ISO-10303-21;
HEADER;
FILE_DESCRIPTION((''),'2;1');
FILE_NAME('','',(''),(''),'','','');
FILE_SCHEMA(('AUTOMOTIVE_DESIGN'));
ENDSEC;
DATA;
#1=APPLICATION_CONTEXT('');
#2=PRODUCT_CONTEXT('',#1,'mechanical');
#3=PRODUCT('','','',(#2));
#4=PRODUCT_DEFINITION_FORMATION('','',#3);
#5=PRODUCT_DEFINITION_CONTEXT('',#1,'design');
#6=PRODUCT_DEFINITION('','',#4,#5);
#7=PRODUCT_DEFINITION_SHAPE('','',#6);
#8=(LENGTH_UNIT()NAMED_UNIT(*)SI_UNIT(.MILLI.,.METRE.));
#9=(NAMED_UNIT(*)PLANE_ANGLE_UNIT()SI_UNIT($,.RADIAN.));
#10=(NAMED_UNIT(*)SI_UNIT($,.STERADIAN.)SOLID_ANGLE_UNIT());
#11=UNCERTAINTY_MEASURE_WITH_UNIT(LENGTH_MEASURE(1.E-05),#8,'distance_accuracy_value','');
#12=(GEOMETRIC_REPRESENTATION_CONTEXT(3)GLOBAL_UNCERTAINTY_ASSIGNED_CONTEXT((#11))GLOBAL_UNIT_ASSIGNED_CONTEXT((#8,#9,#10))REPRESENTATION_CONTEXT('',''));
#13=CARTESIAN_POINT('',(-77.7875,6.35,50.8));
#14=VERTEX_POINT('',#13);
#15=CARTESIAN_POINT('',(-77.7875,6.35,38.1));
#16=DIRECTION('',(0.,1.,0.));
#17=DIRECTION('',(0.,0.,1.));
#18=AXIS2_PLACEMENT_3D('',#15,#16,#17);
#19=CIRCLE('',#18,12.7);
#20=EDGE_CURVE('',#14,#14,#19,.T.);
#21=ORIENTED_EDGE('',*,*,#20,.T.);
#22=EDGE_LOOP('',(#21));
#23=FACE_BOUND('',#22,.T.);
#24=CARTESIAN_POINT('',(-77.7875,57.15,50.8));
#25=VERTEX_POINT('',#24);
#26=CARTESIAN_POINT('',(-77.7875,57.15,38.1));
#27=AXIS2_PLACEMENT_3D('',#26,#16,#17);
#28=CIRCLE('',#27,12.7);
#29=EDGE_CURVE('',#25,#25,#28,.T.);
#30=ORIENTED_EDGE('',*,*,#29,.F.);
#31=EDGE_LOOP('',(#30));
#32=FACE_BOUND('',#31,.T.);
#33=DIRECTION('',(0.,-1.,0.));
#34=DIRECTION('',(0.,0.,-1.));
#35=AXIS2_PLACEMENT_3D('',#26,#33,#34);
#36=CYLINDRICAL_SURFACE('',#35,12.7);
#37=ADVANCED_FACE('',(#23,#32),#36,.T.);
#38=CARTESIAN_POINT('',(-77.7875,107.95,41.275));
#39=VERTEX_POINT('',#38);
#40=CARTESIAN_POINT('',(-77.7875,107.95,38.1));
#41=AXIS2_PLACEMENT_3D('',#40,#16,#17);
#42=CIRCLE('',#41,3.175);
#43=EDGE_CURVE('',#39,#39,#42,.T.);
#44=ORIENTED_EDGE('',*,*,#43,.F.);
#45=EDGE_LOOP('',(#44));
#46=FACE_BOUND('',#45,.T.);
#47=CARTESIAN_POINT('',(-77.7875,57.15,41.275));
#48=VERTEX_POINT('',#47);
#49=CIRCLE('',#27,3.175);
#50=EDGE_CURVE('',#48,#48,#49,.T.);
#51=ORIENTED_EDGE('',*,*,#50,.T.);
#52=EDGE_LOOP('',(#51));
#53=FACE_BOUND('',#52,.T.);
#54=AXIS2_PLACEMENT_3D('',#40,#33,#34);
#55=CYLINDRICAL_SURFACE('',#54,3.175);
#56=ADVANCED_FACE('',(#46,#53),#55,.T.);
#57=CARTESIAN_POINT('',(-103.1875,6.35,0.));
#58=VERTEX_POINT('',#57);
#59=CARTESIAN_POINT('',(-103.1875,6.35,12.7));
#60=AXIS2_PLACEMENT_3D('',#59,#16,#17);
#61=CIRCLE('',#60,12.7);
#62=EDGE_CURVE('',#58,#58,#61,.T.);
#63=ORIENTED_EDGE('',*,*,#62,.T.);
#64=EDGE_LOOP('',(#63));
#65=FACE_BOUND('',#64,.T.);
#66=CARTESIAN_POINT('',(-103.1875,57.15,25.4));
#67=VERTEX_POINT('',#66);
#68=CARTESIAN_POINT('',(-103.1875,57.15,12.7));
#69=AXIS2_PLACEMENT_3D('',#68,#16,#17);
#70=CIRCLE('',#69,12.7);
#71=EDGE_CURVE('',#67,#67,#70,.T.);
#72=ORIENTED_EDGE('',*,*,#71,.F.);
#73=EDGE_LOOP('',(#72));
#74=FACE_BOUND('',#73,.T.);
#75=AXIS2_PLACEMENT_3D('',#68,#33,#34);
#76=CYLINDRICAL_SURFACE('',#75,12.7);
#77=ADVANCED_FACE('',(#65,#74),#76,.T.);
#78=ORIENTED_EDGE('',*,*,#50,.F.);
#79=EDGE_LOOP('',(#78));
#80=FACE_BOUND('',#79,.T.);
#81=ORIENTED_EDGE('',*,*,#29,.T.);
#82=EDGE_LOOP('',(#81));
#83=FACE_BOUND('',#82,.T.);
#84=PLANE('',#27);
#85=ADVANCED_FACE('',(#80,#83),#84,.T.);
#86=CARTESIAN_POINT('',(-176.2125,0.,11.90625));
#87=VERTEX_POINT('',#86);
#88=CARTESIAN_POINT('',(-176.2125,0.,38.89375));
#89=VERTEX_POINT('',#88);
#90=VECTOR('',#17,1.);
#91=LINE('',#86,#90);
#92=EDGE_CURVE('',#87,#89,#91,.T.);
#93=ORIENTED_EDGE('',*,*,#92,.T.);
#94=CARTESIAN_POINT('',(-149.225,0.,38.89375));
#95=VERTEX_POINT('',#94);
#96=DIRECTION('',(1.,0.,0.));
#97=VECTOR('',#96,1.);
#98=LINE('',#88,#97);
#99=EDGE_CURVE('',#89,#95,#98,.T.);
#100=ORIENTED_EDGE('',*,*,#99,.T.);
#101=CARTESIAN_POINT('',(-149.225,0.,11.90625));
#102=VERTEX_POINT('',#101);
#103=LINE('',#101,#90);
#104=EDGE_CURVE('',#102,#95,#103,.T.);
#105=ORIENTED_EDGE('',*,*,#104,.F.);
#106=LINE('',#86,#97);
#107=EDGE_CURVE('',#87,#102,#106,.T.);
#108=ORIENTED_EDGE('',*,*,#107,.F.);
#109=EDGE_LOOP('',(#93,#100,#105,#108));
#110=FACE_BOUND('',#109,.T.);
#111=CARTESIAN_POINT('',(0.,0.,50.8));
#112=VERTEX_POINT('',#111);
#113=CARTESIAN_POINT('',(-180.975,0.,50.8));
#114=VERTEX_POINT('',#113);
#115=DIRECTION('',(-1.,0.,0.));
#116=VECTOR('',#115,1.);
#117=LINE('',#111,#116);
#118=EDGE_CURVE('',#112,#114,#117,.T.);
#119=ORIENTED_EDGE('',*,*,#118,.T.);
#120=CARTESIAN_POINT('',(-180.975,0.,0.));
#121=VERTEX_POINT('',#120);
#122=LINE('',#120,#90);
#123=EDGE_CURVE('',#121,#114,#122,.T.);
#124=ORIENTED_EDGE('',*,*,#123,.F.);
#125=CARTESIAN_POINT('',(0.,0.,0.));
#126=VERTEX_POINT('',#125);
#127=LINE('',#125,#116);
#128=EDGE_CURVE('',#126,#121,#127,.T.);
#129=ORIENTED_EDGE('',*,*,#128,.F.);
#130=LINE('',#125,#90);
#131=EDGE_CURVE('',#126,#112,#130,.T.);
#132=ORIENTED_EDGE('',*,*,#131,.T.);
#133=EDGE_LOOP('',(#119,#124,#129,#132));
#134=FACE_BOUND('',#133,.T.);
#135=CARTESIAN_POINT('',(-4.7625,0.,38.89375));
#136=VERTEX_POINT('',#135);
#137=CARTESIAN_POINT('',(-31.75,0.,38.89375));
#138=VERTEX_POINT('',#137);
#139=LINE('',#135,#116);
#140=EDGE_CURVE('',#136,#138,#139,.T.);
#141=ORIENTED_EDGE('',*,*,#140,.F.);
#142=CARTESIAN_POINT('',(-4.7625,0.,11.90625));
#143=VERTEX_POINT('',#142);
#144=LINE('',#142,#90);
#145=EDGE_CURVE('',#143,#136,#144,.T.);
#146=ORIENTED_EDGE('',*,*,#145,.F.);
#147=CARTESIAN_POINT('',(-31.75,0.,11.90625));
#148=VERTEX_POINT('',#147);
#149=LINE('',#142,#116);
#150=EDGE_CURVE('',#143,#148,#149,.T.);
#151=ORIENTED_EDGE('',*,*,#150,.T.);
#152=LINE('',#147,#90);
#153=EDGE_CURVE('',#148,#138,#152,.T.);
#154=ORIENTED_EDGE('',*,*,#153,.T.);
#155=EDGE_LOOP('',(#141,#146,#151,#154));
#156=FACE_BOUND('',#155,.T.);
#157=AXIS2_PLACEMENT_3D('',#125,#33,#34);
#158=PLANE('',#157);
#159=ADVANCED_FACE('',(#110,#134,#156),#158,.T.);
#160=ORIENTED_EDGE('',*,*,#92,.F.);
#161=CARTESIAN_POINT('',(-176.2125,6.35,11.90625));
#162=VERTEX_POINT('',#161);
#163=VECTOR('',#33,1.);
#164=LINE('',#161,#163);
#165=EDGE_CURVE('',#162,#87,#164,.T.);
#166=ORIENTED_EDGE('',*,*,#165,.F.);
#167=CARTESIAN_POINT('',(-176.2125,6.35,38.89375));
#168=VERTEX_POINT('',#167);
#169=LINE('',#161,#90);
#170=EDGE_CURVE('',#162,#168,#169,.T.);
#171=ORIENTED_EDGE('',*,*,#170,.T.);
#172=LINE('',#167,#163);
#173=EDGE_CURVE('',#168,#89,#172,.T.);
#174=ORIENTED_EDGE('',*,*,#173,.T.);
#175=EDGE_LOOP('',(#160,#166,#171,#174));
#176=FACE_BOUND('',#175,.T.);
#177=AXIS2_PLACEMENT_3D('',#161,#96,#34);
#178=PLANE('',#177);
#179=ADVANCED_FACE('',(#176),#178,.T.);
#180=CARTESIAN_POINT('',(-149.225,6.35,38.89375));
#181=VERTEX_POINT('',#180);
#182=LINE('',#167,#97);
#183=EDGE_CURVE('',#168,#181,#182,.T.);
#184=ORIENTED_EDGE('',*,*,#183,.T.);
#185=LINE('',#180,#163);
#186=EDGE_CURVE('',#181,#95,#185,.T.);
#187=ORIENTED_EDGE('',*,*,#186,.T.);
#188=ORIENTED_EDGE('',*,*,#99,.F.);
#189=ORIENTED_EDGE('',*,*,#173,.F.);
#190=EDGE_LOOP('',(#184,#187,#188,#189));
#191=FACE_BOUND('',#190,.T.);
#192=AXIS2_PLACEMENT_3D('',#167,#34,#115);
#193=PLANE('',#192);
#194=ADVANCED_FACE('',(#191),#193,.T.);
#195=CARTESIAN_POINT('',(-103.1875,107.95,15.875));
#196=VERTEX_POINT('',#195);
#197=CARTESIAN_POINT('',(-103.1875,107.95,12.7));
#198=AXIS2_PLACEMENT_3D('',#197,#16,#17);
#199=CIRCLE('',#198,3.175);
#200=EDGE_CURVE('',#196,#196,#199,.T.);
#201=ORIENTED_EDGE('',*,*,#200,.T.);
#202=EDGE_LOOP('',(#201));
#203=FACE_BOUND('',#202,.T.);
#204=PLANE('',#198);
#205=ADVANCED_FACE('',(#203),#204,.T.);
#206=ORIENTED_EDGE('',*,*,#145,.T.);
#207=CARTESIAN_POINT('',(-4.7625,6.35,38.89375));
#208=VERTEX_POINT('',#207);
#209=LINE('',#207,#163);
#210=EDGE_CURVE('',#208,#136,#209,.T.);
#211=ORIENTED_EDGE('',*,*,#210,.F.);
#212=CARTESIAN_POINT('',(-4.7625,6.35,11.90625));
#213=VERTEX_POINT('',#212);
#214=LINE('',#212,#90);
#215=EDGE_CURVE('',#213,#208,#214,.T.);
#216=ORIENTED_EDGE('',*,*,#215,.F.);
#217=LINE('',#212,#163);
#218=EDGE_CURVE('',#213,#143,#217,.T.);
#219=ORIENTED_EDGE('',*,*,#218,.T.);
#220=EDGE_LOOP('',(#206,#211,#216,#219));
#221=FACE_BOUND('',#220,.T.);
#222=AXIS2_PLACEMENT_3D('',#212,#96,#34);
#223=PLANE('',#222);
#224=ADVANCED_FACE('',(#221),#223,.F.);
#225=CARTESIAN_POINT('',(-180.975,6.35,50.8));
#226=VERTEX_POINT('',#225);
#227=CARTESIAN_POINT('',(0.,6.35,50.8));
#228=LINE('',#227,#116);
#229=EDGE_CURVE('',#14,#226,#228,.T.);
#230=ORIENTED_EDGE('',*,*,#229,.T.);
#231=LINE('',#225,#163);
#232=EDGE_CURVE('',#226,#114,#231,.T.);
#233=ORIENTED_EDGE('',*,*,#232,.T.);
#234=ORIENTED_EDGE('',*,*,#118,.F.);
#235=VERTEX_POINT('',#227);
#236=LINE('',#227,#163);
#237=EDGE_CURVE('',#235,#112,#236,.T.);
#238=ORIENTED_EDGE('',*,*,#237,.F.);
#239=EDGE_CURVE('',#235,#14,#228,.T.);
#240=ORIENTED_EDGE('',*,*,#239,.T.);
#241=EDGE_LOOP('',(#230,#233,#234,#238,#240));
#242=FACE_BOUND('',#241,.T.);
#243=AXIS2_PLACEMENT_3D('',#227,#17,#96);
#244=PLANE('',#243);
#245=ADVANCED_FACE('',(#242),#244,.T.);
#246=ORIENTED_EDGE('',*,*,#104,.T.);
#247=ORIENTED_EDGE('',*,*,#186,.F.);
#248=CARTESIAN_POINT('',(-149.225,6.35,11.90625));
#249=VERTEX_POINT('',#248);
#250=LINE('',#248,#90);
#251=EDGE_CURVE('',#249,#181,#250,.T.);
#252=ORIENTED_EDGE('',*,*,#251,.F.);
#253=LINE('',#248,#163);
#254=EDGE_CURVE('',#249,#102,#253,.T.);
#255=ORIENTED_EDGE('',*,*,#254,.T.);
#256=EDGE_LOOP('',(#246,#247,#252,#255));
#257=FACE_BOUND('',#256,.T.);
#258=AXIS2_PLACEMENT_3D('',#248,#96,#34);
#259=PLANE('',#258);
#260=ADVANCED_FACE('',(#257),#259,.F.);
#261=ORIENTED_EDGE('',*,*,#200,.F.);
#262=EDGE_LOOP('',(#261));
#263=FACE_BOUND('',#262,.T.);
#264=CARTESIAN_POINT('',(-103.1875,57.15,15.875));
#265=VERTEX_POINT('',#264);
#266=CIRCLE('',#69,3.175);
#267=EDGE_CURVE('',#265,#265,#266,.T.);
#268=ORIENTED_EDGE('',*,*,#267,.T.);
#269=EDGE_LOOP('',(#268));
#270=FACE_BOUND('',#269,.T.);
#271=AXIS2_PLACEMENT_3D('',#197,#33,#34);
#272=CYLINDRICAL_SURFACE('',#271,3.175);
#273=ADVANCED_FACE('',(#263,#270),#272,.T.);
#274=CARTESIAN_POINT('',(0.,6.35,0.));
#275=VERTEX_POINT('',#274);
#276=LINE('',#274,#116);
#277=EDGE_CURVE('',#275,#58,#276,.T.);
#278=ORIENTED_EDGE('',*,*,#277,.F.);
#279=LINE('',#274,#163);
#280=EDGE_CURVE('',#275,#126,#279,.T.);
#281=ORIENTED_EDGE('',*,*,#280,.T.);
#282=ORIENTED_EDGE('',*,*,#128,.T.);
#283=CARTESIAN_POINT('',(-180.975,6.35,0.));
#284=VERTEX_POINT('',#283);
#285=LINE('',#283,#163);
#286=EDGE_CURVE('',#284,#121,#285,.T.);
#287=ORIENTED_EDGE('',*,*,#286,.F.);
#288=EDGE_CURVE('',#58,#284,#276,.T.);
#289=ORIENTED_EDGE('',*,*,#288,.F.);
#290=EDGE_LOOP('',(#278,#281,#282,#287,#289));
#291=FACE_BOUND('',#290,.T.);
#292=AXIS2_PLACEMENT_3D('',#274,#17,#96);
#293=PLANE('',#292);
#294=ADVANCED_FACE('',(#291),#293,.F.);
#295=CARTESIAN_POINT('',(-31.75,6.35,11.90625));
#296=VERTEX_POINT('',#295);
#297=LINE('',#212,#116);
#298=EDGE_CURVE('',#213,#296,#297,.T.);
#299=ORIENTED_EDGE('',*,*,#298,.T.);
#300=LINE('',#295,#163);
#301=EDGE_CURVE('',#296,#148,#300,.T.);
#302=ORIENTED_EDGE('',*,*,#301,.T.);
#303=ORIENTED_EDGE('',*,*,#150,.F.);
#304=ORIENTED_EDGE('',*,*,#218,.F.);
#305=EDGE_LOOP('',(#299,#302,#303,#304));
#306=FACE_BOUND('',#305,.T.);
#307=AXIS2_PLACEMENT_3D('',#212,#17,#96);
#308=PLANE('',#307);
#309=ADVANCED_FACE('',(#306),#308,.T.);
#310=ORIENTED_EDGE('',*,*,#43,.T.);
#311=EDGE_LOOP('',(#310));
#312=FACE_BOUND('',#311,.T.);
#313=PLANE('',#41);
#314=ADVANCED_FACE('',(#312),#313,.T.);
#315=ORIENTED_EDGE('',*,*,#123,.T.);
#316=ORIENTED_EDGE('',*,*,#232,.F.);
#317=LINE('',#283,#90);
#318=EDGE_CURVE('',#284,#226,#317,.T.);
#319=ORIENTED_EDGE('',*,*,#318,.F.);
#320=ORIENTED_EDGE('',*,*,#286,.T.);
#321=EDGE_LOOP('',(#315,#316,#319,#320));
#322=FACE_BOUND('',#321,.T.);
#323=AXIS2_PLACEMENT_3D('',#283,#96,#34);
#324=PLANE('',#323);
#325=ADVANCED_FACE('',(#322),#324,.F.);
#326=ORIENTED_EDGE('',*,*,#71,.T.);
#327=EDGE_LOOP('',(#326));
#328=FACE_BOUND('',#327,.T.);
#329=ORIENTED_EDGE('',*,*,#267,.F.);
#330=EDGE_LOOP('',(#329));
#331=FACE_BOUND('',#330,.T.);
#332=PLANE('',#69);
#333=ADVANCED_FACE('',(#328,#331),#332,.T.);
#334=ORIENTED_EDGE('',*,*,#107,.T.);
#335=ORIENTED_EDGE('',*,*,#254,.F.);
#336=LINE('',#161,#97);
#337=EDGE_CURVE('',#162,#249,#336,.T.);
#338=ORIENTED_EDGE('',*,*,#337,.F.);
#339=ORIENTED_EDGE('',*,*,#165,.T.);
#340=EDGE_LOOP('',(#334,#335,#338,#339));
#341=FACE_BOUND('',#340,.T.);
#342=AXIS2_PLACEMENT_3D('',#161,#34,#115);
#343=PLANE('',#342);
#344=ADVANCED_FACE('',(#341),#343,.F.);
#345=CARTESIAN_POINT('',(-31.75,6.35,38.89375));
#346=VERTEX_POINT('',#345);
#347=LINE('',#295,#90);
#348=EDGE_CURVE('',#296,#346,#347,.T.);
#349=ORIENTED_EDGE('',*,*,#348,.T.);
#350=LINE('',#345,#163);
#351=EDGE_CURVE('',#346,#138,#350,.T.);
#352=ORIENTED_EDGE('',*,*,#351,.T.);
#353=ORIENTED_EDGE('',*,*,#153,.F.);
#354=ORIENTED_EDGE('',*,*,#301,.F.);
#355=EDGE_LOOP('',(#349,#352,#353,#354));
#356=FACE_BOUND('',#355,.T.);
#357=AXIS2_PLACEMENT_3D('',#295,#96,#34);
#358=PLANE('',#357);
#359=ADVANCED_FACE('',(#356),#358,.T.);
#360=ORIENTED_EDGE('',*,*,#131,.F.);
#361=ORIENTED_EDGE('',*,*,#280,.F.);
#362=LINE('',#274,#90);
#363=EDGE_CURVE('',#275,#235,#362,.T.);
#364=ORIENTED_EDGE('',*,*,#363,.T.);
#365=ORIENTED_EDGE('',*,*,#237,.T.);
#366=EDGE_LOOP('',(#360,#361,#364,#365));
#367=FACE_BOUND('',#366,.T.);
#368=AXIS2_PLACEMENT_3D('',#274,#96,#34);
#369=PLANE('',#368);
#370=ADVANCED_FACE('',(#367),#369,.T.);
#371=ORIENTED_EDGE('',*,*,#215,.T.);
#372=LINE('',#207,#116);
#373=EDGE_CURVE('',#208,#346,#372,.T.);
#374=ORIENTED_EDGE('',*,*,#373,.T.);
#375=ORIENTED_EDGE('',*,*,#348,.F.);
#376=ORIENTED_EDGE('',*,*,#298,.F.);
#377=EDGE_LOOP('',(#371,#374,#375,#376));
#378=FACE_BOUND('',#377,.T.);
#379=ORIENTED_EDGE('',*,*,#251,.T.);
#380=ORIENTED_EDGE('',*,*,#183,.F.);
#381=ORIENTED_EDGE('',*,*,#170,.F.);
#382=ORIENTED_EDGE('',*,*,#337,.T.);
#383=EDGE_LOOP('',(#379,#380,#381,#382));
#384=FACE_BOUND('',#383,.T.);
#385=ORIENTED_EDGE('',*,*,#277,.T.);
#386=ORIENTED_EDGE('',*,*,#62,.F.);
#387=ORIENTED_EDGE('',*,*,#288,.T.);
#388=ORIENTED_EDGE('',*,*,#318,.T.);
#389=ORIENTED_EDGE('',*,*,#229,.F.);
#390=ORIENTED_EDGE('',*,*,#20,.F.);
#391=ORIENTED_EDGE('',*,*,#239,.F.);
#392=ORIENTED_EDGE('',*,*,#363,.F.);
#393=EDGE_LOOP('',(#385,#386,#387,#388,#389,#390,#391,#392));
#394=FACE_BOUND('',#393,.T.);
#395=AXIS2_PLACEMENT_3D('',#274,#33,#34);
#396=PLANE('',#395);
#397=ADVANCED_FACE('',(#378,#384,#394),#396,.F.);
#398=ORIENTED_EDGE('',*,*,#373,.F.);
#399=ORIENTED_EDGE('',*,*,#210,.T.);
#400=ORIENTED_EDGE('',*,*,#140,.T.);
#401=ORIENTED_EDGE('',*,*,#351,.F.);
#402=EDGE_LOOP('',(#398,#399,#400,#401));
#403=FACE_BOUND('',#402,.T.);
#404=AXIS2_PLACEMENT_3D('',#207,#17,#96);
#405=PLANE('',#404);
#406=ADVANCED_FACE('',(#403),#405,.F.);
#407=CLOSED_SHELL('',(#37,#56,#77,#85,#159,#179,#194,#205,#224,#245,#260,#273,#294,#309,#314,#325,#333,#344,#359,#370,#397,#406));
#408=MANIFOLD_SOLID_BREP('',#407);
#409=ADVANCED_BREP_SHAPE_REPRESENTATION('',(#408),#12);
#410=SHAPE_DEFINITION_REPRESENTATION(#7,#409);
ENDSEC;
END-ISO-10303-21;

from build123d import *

# Parameters (mm, degrees)
SKETCH1_W           = 180.975
SKETCH1_H           = 50.8
SKETCH1_W_2         = 26.9875
SKETCH1_H_2         = 26.9875
BOSS_EXTRUDE1_DEPTH = 6.35
SKETCH3_R           = 3.175
BOSS_EXTRUDE2_DEPTH = 101.6
SKETCH4_R           = 12.7
BOSS_EXTRUDE3_DEPTH = 50.8


with BuildPart() as part:
    # Sketch1 → Boss-Extrude1 (new body)
    with BuildSketch(Plane(origin=(0, 0, 0), x_dir=(1, 0, 0), z_dir=(0, 1, 0))):
        with Locations((-90.4875, -25.4)):
            Rectangle(SKETCH1_W, SKETCH1_H)
        with Locations((-162.71875, -25.4)):
            Rectangle(SKETCH1_W_2, SKETCH1_H_2, mode=Mode.SUBTRACT)
        with Locations((-18.25625, -25.4)):
            Rectangle(SKETCH1_W_2, SKETCH1_H_2, mode=Mode.SUBTRACT)
    extrude(amount=BOSS_EXTRUDE1_DEPTH)

    # Sketch3 → Boss-Extrude2 (add)
    with BuildSketch(Plane(origin=(0, 6.35, 0), x_dir=(1, 0, 0), z_dir=(0, 1, 0))):
        with Locations(Location((-77.7875, -38.1, 0), (0, 0, 90))):
            Circle(SKETCH3_R)
        with Locations(Location((-103.1875, -12.7, 0), (0, 0, 90))):
            Circle(SKETCH3_R)
    extrude(amount=BOSS_EXTRUDE2_DEPTH)

    # Sketch4 → Boss-Extrude3 (add)
    with BuildSketch(Plane(origin=(0, 6.35, 0), x_dir=(1, 0, 0), z_dir=(0, 1, 0))):
        with Locations(Location((-103.1875, -12.7, 0), (0, 0, 90))):
            Circle(SKETCH4_R)
        with Locations(Location((-77.7875, -38.1, 0), (0, 0, 270))):
            Circle(SKETCH4_R)
    extrude(amount=BOSS_EXTRUDE3_DEPTH)


solid = part.part
